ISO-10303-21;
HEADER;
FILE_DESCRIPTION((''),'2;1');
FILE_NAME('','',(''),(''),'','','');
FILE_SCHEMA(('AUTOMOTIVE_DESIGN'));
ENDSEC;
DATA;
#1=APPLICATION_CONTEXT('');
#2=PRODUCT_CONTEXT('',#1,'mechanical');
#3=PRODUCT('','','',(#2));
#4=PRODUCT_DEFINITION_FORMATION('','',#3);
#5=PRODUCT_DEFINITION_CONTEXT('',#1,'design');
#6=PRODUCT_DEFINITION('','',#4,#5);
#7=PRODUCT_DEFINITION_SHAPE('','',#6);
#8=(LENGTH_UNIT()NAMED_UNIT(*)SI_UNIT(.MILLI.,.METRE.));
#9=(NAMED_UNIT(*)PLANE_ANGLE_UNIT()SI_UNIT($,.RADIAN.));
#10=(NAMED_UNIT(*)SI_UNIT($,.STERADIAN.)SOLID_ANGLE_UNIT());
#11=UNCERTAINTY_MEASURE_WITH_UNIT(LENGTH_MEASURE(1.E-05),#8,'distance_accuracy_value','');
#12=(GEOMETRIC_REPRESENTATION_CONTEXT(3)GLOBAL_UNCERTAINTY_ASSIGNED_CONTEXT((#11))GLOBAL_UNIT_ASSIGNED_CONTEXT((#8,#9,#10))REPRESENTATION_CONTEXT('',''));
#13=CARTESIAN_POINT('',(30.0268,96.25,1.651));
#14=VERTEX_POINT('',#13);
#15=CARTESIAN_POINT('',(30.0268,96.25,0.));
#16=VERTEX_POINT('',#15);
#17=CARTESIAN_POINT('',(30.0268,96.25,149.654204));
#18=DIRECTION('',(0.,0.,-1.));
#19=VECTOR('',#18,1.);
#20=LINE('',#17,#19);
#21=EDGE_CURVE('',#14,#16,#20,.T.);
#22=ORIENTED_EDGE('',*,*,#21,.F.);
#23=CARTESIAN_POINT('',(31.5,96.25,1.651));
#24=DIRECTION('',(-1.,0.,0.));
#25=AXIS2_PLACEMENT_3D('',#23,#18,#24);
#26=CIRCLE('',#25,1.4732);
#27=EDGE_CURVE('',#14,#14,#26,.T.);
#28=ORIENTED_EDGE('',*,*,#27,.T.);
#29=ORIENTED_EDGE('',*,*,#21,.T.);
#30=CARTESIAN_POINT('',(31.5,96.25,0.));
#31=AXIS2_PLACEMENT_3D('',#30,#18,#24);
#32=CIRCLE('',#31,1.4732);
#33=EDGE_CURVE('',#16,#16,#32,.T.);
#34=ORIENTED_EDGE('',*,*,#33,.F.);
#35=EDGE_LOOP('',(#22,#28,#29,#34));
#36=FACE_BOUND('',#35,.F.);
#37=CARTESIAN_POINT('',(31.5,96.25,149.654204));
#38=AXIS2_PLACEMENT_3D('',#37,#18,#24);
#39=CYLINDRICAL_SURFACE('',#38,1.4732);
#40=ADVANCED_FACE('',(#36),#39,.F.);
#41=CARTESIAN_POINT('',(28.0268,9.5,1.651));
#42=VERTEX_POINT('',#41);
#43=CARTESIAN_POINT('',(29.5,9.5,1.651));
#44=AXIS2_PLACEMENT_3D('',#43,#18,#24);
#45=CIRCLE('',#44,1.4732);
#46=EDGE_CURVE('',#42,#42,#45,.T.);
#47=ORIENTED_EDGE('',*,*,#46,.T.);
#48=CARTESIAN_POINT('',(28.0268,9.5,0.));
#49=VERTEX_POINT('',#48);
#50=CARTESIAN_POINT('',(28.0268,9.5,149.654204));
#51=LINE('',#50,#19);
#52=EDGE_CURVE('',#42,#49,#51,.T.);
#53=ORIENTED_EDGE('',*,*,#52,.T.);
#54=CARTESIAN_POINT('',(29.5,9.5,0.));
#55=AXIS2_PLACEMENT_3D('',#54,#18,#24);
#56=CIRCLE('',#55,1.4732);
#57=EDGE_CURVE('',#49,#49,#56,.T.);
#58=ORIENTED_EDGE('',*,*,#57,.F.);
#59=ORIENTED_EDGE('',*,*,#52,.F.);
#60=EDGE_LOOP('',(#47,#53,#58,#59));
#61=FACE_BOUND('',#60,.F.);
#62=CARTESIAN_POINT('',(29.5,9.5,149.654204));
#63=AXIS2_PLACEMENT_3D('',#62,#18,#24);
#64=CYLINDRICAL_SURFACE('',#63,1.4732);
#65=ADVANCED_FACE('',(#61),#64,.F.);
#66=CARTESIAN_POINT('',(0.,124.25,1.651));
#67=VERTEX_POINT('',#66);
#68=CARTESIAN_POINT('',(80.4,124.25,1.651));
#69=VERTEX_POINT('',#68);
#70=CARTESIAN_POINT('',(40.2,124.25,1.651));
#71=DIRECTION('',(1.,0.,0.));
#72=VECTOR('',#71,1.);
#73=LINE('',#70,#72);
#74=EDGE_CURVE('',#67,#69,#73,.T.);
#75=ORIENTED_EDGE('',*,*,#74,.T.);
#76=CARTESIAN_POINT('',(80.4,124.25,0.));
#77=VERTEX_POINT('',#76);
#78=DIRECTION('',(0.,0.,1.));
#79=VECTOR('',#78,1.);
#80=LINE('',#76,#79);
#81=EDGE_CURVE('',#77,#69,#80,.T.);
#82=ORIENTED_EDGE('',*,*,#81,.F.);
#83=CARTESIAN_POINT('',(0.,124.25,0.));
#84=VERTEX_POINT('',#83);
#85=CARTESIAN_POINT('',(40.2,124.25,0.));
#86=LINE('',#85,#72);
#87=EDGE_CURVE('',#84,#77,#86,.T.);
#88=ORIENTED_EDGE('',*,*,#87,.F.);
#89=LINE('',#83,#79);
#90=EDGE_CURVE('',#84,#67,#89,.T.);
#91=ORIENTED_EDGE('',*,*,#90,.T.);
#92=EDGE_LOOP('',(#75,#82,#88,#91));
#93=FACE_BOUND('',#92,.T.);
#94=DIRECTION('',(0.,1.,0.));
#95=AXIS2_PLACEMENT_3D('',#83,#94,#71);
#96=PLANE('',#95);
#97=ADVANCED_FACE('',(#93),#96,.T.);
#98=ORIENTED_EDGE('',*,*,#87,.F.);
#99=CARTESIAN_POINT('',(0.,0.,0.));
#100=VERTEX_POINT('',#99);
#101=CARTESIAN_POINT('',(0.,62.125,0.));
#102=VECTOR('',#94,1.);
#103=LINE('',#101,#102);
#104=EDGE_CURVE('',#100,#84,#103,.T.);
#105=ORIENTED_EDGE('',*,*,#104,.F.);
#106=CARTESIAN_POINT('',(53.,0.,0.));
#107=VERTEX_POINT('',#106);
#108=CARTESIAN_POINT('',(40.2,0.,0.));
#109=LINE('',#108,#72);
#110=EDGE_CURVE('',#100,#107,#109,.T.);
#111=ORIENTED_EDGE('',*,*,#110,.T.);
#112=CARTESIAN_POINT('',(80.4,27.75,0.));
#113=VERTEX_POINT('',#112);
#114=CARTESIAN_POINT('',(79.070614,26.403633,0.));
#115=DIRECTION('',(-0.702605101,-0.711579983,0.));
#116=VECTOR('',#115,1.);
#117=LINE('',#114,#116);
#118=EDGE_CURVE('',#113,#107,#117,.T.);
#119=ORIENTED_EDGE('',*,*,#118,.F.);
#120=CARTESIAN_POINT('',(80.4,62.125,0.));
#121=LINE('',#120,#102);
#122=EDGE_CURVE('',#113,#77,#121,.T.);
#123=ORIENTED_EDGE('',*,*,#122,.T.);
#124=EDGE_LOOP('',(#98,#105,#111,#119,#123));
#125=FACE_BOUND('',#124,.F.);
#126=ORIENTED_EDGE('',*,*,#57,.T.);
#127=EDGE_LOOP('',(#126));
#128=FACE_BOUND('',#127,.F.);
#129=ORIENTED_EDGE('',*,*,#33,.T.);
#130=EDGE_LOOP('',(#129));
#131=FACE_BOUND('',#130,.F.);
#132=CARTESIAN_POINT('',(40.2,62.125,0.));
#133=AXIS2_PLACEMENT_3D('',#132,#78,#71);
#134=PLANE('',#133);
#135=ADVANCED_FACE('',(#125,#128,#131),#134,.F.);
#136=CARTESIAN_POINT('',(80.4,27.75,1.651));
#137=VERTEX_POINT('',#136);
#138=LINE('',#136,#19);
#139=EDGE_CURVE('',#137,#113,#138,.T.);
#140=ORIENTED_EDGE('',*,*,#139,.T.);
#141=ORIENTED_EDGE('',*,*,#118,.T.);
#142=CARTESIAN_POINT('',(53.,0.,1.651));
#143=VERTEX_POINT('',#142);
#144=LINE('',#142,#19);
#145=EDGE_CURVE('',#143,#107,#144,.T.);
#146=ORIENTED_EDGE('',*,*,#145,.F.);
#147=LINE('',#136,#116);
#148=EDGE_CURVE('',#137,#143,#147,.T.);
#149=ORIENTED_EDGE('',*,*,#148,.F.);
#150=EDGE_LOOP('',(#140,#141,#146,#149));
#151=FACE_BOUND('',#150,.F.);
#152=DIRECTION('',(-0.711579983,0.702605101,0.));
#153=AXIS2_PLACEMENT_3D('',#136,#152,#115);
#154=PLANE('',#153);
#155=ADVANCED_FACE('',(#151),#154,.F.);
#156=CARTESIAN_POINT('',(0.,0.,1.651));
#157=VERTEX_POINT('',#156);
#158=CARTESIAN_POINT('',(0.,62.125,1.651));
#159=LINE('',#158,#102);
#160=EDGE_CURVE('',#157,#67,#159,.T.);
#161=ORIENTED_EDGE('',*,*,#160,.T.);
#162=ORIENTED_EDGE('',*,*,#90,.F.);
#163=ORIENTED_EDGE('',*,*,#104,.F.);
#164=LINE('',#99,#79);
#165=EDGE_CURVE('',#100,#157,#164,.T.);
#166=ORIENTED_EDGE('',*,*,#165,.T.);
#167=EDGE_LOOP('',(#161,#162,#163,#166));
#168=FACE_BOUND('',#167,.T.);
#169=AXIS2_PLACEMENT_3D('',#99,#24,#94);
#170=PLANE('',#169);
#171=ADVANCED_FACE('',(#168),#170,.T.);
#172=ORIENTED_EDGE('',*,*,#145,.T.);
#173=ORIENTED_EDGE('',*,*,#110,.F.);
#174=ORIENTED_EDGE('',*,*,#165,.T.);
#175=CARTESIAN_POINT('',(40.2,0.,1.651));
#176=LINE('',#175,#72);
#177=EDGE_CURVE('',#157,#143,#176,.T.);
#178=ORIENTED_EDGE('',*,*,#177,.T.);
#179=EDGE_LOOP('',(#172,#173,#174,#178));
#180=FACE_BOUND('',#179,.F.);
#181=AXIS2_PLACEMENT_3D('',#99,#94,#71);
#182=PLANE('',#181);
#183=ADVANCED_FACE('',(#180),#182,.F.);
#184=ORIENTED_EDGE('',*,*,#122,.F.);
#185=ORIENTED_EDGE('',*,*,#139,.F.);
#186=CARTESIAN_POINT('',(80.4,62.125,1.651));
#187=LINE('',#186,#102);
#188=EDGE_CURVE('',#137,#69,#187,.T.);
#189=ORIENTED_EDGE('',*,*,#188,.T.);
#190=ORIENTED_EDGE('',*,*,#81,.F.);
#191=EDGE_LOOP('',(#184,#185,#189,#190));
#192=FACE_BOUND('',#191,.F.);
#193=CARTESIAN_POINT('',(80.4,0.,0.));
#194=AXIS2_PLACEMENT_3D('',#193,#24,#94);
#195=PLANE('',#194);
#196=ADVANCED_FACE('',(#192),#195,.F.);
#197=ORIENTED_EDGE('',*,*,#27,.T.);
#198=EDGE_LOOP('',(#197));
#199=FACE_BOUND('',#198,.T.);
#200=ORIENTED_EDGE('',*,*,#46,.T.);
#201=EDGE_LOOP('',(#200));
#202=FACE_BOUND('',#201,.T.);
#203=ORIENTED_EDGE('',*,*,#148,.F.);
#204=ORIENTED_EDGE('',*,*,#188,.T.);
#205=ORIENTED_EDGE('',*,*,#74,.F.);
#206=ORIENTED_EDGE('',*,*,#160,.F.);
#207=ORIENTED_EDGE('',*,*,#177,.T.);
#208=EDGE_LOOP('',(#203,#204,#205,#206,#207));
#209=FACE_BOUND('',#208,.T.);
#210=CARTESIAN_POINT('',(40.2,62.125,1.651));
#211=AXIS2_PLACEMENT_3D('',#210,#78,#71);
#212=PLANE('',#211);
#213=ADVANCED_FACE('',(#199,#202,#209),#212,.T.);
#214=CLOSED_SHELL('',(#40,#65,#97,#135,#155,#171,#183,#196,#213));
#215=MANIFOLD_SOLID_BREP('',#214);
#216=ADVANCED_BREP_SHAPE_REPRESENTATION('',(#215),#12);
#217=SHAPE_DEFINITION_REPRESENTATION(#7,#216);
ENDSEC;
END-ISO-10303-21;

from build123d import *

# Parameters (mm, degrees)
F0_W     = 80.4
F0_H     = 124.25
F1_DEPTH = 1.651
F3_DEPTH = 1.652
F5_D     = 2.9464


with BuildPart() as f1:
    # F0 (on Top) → F1 (new body)
    with BuildSketch(Plane.XY):
        with Locations((40.2, 62.125)):
            Rectangle(F0_W, F0_H)
    extrude(amount=F1_DEPTH)

    # F2 (on face) → F3 (cut, through all)
    with BuildSketch(Plane.XY.offset(1.651)):
        Polygon((80.4, 0), (80.4, 27.75), (53, 0), align=None)
    extrude(amount=-F3_DEPTH, mode=Mode.SUBTRACT)

    # F5 (through all)
    with Locations(Plane.XY.offset(1.651)):
        with Locations((31.5, 96.25), (29.5, 9.5)):
            Hole(F5_D / 2)


solid = f1.part
